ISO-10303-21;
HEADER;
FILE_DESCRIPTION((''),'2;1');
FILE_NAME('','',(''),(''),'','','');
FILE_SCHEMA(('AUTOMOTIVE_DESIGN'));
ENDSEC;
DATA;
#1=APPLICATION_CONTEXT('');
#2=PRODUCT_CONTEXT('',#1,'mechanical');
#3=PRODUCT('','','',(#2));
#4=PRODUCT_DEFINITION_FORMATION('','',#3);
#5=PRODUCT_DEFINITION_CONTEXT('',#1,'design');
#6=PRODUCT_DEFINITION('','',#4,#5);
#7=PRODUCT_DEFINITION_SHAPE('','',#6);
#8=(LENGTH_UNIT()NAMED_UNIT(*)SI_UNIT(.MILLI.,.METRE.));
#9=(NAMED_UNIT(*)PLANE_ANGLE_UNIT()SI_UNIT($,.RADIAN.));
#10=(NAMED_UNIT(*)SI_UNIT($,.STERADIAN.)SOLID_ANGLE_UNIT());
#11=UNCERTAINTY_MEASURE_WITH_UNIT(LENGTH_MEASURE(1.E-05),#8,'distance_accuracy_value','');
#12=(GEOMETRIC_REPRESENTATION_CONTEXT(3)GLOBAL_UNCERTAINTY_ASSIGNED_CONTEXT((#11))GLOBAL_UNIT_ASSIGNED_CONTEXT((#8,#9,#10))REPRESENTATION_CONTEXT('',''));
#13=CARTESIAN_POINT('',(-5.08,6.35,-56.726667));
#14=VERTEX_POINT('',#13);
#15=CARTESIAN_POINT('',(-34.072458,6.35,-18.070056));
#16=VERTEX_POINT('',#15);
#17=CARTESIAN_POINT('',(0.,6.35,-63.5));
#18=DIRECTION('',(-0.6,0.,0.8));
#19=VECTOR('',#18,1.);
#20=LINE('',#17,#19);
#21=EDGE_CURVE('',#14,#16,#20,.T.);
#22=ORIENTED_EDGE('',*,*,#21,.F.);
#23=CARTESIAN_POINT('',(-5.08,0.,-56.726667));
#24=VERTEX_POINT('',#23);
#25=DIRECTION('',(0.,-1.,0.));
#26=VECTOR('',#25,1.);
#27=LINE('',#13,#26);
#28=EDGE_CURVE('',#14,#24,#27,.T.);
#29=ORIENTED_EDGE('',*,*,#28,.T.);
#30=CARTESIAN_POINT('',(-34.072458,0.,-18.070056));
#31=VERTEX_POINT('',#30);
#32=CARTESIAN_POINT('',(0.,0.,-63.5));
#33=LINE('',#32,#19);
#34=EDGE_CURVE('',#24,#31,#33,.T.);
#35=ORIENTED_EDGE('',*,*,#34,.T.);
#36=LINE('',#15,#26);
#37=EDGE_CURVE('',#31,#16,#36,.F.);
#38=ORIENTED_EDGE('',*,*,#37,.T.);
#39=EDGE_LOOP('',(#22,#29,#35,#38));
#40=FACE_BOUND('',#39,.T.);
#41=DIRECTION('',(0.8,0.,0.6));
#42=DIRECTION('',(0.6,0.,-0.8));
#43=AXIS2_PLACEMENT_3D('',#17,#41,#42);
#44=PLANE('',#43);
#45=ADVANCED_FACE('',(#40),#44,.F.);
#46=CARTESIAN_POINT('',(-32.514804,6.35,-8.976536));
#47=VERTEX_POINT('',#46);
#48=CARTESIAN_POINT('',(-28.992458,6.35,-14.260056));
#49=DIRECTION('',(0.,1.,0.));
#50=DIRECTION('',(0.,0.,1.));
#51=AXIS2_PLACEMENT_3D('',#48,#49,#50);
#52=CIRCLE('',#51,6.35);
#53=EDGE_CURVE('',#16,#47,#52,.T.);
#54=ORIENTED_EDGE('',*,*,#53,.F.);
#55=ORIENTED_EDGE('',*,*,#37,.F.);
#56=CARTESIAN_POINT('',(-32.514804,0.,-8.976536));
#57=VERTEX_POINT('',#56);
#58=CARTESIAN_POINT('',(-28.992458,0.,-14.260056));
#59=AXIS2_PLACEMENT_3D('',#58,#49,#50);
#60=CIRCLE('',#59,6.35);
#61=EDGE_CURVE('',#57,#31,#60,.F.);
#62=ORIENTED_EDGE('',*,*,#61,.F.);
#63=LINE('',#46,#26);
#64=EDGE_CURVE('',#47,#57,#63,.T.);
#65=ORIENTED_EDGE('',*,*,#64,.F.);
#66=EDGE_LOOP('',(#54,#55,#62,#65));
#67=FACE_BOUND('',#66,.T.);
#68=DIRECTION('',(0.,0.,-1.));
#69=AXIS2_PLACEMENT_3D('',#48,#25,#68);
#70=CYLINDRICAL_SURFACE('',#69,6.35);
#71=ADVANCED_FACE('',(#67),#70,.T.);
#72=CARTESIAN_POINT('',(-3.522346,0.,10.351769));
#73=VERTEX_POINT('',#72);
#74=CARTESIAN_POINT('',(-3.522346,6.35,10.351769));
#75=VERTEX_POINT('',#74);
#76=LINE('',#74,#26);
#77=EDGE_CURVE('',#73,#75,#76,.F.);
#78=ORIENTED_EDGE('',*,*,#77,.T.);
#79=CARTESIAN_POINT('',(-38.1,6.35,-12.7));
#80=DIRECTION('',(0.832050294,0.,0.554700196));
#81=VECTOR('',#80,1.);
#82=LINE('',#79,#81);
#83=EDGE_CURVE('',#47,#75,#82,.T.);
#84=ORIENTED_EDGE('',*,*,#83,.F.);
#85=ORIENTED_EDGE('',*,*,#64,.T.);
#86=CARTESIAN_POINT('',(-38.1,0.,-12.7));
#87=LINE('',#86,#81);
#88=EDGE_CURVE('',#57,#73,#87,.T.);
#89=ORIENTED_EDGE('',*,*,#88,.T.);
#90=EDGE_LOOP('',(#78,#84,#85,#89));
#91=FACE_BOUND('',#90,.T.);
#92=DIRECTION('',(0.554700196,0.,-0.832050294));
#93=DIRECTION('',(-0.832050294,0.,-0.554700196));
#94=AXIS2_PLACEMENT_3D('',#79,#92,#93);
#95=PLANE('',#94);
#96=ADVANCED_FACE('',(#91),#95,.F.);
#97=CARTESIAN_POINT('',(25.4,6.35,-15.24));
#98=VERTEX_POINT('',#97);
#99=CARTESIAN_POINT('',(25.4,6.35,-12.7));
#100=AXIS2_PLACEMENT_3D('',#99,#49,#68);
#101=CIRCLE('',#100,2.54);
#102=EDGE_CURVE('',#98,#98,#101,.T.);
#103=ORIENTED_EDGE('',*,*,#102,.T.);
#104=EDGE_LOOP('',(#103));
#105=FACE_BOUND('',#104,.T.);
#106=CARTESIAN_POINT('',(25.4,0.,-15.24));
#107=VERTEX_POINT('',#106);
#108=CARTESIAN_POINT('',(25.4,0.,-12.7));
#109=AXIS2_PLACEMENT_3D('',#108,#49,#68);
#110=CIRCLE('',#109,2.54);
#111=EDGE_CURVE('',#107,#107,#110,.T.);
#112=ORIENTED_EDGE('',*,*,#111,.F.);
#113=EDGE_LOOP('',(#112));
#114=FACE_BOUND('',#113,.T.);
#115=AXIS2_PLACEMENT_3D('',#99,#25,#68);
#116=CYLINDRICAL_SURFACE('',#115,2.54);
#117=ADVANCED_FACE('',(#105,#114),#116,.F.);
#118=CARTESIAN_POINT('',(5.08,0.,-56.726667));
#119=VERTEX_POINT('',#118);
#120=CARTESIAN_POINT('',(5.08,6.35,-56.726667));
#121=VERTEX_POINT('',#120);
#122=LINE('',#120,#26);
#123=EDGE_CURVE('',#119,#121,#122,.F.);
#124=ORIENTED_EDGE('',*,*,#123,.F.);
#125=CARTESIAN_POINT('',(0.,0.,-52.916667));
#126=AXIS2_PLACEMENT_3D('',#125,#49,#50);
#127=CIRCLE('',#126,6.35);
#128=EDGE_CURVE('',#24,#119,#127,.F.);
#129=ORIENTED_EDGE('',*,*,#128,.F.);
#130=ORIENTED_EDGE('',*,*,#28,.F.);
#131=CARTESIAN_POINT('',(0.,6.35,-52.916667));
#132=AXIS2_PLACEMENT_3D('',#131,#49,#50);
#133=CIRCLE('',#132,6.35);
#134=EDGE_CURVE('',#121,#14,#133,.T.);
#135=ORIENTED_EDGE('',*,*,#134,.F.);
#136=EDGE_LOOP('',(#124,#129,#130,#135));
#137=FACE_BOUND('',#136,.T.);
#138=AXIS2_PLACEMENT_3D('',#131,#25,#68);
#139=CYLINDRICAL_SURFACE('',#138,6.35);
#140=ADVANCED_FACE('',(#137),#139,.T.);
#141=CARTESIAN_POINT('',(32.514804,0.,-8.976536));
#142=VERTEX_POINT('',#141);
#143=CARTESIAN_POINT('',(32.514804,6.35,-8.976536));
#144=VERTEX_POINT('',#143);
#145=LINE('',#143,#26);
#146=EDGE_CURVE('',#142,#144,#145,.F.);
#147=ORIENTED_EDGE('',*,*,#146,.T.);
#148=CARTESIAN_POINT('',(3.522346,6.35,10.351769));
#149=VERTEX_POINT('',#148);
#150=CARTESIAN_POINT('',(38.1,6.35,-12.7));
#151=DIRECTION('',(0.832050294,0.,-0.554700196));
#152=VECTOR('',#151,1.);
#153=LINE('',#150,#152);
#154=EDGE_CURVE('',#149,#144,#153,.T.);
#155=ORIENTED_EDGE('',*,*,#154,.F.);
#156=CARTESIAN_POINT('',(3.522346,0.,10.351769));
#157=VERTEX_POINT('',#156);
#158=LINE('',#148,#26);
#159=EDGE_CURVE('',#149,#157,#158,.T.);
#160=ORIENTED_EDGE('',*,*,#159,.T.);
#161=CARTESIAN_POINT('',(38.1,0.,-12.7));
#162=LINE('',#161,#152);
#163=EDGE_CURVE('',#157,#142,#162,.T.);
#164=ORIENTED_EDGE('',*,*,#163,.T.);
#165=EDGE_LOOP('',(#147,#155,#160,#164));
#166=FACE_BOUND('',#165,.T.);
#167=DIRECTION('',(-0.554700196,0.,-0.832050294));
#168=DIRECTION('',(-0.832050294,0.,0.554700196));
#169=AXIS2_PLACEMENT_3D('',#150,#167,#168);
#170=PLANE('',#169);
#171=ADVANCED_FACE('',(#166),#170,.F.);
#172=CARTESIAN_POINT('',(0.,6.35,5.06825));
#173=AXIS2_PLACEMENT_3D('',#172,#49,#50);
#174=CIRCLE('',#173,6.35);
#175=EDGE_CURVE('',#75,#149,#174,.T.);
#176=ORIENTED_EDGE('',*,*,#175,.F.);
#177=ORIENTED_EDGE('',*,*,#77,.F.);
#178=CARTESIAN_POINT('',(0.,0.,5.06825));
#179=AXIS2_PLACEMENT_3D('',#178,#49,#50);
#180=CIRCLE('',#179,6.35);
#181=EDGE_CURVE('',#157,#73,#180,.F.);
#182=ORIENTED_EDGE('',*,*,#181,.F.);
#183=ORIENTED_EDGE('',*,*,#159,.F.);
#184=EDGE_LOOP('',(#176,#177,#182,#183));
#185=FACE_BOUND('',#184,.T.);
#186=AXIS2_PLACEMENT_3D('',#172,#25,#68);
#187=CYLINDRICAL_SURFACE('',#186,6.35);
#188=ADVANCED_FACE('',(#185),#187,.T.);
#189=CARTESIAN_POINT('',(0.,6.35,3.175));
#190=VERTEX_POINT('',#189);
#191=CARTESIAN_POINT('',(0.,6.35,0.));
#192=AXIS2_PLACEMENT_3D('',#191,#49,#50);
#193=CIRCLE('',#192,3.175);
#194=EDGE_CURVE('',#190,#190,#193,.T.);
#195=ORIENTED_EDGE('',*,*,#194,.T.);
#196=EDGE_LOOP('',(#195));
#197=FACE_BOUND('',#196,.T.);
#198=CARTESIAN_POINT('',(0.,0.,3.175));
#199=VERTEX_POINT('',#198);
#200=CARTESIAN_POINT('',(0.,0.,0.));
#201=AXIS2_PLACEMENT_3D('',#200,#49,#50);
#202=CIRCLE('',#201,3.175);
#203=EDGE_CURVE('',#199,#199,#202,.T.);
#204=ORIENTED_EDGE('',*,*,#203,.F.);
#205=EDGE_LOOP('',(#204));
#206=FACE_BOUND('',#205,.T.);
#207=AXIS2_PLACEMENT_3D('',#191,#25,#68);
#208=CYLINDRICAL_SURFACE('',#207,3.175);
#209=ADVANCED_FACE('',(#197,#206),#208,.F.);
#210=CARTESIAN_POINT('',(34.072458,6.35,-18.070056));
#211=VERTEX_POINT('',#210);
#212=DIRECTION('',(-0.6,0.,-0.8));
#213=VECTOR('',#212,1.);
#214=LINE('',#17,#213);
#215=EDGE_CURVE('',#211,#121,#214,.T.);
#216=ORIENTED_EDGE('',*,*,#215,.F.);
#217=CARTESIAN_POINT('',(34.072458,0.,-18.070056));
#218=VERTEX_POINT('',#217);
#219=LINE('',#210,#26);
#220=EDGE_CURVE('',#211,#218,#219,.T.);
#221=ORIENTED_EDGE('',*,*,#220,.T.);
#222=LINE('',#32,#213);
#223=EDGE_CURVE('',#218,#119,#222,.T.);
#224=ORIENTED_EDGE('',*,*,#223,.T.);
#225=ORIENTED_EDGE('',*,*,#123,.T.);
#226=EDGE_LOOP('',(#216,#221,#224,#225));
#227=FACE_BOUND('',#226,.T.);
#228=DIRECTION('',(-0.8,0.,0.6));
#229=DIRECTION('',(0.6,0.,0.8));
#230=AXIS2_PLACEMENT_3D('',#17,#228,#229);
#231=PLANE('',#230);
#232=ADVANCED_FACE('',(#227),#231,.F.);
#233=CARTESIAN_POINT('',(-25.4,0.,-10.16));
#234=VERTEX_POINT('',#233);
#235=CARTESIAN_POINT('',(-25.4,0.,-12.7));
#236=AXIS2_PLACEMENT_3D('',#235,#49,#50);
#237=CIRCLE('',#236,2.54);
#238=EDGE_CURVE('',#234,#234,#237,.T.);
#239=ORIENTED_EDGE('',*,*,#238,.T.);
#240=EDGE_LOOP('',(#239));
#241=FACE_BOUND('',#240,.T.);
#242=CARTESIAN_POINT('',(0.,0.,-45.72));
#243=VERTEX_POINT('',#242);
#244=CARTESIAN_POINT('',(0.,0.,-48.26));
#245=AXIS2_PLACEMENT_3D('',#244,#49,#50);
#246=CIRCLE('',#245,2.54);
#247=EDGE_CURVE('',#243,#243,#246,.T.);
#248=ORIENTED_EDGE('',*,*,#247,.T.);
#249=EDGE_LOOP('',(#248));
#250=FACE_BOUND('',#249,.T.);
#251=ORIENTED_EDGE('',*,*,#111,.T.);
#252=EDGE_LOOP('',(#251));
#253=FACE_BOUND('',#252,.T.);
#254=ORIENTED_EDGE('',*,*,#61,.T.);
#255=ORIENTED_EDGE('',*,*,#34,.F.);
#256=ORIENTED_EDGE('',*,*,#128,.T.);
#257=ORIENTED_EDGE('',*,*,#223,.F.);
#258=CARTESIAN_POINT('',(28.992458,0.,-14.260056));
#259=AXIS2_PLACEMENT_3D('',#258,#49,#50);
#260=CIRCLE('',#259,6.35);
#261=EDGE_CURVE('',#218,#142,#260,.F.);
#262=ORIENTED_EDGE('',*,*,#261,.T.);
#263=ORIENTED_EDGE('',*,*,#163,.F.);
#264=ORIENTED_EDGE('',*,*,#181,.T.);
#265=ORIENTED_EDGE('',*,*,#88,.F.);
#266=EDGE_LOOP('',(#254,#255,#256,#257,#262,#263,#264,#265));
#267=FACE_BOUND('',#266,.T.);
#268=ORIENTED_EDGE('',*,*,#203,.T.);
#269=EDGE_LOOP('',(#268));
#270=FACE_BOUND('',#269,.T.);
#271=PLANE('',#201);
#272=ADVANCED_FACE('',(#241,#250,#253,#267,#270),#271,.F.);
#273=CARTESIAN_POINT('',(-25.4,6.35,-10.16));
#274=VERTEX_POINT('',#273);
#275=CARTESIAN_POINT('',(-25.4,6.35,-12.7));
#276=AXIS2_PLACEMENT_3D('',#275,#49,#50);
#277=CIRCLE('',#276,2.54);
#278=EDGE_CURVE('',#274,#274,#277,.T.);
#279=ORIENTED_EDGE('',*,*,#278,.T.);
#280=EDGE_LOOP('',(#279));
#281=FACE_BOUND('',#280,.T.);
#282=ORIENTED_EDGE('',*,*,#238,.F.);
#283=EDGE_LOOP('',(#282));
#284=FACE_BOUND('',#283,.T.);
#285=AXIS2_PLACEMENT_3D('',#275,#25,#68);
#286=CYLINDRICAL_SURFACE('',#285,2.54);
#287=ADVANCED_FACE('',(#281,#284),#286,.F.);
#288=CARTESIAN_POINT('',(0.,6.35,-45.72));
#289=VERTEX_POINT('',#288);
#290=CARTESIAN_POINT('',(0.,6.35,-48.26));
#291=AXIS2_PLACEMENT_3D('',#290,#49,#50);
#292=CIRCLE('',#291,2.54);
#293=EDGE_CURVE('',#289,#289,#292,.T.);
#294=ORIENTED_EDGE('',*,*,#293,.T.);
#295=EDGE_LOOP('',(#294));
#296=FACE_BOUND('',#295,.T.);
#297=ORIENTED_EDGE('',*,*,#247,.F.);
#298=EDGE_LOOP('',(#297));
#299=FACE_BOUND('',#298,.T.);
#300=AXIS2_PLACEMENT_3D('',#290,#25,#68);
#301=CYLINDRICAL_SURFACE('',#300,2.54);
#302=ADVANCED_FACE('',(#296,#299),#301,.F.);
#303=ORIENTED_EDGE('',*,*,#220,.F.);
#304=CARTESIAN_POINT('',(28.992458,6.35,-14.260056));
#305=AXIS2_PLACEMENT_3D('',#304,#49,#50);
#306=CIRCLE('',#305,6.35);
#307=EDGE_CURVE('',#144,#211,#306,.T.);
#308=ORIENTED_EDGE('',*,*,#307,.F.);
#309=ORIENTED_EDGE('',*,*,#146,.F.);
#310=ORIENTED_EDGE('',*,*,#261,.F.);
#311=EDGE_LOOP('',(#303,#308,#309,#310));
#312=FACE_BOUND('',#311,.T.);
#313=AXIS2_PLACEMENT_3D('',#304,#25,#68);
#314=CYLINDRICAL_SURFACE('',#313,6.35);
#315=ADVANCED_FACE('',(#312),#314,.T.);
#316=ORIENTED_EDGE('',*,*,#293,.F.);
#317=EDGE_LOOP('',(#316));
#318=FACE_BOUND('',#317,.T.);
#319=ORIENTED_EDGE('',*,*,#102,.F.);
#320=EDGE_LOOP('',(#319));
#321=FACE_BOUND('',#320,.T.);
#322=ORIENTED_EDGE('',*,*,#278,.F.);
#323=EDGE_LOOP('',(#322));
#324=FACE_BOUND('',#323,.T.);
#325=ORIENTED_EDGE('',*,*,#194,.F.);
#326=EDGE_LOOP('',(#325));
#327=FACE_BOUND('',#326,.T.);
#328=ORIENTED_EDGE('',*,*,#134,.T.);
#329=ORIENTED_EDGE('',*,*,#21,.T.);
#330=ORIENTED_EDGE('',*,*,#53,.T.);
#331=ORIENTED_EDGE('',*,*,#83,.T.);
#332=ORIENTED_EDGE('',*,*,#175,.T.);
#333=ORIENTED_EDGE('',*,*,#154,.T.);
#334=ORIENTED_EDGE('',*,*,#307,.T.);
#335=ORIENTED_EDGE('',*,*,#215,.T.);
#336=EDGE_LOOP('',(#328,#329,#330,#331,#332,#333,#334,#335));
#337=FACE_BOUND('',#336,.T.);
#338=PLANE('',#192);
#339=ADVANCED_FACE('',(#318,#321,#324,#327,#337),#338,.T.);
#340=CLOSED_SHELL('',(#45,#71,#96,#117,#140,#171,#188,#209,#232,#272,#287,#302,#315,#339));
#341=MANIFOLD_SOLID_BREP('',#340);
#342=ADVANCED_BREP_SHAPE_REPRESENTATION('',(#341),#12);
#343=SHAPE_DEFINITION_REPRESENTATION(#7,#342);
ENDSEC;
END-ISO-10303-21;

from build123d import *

# Parameters (mm, degrees)
SKETCH2_R           = 3.175
SKETCH2_R_2         = 2.54
BOSS_EXTRUDE2_DEPTH = 6.35
FILLET3_R           = 6.35


with BuildPart() as part:
    # Sketch2 → Boss-Extrude2 (new body)
    with BuildSketch(Plane(origin=(0, 0, 0), x_dir=(1, 0, 0), z_dir=(0, 1, 0))):
        Polygon((0, 63.5), (-38.1, 12.7), (0, -12.7), (38.1, 12.7), align=None)
        Circle(SKETCH2_R, mode=Mode.SUBTRACT)
        with Locations((-25.4, 12.7)):
            Circle(SKETCH2_R_2, mode=Mode.SUBTRACT)
        with Locations((0, 48.26)):
            Circle(SKETCH2_R_2, mode=Mode.SUBTRACT)
        with Locations((25.4, 12.7)):
            Circle(SKETCH2_R_2, mode=Mode.SUBTRACT)
    extrude(amount=BOSS_EXTRUDE2_DEPTH)

    # Fillet3
    fillet3_edges = [part.edges().sort_by_distance(p)[0] for p in [
        (0, 3.175, 12.7),
        (-38.1, 3.175, -12.7),
        (0, 3.175, -63.5),
        (38.1, 3.175, -12.7),
    ]]
    fillet(fillet3_edges, radius=FILLET3_R)


solid = part.part
